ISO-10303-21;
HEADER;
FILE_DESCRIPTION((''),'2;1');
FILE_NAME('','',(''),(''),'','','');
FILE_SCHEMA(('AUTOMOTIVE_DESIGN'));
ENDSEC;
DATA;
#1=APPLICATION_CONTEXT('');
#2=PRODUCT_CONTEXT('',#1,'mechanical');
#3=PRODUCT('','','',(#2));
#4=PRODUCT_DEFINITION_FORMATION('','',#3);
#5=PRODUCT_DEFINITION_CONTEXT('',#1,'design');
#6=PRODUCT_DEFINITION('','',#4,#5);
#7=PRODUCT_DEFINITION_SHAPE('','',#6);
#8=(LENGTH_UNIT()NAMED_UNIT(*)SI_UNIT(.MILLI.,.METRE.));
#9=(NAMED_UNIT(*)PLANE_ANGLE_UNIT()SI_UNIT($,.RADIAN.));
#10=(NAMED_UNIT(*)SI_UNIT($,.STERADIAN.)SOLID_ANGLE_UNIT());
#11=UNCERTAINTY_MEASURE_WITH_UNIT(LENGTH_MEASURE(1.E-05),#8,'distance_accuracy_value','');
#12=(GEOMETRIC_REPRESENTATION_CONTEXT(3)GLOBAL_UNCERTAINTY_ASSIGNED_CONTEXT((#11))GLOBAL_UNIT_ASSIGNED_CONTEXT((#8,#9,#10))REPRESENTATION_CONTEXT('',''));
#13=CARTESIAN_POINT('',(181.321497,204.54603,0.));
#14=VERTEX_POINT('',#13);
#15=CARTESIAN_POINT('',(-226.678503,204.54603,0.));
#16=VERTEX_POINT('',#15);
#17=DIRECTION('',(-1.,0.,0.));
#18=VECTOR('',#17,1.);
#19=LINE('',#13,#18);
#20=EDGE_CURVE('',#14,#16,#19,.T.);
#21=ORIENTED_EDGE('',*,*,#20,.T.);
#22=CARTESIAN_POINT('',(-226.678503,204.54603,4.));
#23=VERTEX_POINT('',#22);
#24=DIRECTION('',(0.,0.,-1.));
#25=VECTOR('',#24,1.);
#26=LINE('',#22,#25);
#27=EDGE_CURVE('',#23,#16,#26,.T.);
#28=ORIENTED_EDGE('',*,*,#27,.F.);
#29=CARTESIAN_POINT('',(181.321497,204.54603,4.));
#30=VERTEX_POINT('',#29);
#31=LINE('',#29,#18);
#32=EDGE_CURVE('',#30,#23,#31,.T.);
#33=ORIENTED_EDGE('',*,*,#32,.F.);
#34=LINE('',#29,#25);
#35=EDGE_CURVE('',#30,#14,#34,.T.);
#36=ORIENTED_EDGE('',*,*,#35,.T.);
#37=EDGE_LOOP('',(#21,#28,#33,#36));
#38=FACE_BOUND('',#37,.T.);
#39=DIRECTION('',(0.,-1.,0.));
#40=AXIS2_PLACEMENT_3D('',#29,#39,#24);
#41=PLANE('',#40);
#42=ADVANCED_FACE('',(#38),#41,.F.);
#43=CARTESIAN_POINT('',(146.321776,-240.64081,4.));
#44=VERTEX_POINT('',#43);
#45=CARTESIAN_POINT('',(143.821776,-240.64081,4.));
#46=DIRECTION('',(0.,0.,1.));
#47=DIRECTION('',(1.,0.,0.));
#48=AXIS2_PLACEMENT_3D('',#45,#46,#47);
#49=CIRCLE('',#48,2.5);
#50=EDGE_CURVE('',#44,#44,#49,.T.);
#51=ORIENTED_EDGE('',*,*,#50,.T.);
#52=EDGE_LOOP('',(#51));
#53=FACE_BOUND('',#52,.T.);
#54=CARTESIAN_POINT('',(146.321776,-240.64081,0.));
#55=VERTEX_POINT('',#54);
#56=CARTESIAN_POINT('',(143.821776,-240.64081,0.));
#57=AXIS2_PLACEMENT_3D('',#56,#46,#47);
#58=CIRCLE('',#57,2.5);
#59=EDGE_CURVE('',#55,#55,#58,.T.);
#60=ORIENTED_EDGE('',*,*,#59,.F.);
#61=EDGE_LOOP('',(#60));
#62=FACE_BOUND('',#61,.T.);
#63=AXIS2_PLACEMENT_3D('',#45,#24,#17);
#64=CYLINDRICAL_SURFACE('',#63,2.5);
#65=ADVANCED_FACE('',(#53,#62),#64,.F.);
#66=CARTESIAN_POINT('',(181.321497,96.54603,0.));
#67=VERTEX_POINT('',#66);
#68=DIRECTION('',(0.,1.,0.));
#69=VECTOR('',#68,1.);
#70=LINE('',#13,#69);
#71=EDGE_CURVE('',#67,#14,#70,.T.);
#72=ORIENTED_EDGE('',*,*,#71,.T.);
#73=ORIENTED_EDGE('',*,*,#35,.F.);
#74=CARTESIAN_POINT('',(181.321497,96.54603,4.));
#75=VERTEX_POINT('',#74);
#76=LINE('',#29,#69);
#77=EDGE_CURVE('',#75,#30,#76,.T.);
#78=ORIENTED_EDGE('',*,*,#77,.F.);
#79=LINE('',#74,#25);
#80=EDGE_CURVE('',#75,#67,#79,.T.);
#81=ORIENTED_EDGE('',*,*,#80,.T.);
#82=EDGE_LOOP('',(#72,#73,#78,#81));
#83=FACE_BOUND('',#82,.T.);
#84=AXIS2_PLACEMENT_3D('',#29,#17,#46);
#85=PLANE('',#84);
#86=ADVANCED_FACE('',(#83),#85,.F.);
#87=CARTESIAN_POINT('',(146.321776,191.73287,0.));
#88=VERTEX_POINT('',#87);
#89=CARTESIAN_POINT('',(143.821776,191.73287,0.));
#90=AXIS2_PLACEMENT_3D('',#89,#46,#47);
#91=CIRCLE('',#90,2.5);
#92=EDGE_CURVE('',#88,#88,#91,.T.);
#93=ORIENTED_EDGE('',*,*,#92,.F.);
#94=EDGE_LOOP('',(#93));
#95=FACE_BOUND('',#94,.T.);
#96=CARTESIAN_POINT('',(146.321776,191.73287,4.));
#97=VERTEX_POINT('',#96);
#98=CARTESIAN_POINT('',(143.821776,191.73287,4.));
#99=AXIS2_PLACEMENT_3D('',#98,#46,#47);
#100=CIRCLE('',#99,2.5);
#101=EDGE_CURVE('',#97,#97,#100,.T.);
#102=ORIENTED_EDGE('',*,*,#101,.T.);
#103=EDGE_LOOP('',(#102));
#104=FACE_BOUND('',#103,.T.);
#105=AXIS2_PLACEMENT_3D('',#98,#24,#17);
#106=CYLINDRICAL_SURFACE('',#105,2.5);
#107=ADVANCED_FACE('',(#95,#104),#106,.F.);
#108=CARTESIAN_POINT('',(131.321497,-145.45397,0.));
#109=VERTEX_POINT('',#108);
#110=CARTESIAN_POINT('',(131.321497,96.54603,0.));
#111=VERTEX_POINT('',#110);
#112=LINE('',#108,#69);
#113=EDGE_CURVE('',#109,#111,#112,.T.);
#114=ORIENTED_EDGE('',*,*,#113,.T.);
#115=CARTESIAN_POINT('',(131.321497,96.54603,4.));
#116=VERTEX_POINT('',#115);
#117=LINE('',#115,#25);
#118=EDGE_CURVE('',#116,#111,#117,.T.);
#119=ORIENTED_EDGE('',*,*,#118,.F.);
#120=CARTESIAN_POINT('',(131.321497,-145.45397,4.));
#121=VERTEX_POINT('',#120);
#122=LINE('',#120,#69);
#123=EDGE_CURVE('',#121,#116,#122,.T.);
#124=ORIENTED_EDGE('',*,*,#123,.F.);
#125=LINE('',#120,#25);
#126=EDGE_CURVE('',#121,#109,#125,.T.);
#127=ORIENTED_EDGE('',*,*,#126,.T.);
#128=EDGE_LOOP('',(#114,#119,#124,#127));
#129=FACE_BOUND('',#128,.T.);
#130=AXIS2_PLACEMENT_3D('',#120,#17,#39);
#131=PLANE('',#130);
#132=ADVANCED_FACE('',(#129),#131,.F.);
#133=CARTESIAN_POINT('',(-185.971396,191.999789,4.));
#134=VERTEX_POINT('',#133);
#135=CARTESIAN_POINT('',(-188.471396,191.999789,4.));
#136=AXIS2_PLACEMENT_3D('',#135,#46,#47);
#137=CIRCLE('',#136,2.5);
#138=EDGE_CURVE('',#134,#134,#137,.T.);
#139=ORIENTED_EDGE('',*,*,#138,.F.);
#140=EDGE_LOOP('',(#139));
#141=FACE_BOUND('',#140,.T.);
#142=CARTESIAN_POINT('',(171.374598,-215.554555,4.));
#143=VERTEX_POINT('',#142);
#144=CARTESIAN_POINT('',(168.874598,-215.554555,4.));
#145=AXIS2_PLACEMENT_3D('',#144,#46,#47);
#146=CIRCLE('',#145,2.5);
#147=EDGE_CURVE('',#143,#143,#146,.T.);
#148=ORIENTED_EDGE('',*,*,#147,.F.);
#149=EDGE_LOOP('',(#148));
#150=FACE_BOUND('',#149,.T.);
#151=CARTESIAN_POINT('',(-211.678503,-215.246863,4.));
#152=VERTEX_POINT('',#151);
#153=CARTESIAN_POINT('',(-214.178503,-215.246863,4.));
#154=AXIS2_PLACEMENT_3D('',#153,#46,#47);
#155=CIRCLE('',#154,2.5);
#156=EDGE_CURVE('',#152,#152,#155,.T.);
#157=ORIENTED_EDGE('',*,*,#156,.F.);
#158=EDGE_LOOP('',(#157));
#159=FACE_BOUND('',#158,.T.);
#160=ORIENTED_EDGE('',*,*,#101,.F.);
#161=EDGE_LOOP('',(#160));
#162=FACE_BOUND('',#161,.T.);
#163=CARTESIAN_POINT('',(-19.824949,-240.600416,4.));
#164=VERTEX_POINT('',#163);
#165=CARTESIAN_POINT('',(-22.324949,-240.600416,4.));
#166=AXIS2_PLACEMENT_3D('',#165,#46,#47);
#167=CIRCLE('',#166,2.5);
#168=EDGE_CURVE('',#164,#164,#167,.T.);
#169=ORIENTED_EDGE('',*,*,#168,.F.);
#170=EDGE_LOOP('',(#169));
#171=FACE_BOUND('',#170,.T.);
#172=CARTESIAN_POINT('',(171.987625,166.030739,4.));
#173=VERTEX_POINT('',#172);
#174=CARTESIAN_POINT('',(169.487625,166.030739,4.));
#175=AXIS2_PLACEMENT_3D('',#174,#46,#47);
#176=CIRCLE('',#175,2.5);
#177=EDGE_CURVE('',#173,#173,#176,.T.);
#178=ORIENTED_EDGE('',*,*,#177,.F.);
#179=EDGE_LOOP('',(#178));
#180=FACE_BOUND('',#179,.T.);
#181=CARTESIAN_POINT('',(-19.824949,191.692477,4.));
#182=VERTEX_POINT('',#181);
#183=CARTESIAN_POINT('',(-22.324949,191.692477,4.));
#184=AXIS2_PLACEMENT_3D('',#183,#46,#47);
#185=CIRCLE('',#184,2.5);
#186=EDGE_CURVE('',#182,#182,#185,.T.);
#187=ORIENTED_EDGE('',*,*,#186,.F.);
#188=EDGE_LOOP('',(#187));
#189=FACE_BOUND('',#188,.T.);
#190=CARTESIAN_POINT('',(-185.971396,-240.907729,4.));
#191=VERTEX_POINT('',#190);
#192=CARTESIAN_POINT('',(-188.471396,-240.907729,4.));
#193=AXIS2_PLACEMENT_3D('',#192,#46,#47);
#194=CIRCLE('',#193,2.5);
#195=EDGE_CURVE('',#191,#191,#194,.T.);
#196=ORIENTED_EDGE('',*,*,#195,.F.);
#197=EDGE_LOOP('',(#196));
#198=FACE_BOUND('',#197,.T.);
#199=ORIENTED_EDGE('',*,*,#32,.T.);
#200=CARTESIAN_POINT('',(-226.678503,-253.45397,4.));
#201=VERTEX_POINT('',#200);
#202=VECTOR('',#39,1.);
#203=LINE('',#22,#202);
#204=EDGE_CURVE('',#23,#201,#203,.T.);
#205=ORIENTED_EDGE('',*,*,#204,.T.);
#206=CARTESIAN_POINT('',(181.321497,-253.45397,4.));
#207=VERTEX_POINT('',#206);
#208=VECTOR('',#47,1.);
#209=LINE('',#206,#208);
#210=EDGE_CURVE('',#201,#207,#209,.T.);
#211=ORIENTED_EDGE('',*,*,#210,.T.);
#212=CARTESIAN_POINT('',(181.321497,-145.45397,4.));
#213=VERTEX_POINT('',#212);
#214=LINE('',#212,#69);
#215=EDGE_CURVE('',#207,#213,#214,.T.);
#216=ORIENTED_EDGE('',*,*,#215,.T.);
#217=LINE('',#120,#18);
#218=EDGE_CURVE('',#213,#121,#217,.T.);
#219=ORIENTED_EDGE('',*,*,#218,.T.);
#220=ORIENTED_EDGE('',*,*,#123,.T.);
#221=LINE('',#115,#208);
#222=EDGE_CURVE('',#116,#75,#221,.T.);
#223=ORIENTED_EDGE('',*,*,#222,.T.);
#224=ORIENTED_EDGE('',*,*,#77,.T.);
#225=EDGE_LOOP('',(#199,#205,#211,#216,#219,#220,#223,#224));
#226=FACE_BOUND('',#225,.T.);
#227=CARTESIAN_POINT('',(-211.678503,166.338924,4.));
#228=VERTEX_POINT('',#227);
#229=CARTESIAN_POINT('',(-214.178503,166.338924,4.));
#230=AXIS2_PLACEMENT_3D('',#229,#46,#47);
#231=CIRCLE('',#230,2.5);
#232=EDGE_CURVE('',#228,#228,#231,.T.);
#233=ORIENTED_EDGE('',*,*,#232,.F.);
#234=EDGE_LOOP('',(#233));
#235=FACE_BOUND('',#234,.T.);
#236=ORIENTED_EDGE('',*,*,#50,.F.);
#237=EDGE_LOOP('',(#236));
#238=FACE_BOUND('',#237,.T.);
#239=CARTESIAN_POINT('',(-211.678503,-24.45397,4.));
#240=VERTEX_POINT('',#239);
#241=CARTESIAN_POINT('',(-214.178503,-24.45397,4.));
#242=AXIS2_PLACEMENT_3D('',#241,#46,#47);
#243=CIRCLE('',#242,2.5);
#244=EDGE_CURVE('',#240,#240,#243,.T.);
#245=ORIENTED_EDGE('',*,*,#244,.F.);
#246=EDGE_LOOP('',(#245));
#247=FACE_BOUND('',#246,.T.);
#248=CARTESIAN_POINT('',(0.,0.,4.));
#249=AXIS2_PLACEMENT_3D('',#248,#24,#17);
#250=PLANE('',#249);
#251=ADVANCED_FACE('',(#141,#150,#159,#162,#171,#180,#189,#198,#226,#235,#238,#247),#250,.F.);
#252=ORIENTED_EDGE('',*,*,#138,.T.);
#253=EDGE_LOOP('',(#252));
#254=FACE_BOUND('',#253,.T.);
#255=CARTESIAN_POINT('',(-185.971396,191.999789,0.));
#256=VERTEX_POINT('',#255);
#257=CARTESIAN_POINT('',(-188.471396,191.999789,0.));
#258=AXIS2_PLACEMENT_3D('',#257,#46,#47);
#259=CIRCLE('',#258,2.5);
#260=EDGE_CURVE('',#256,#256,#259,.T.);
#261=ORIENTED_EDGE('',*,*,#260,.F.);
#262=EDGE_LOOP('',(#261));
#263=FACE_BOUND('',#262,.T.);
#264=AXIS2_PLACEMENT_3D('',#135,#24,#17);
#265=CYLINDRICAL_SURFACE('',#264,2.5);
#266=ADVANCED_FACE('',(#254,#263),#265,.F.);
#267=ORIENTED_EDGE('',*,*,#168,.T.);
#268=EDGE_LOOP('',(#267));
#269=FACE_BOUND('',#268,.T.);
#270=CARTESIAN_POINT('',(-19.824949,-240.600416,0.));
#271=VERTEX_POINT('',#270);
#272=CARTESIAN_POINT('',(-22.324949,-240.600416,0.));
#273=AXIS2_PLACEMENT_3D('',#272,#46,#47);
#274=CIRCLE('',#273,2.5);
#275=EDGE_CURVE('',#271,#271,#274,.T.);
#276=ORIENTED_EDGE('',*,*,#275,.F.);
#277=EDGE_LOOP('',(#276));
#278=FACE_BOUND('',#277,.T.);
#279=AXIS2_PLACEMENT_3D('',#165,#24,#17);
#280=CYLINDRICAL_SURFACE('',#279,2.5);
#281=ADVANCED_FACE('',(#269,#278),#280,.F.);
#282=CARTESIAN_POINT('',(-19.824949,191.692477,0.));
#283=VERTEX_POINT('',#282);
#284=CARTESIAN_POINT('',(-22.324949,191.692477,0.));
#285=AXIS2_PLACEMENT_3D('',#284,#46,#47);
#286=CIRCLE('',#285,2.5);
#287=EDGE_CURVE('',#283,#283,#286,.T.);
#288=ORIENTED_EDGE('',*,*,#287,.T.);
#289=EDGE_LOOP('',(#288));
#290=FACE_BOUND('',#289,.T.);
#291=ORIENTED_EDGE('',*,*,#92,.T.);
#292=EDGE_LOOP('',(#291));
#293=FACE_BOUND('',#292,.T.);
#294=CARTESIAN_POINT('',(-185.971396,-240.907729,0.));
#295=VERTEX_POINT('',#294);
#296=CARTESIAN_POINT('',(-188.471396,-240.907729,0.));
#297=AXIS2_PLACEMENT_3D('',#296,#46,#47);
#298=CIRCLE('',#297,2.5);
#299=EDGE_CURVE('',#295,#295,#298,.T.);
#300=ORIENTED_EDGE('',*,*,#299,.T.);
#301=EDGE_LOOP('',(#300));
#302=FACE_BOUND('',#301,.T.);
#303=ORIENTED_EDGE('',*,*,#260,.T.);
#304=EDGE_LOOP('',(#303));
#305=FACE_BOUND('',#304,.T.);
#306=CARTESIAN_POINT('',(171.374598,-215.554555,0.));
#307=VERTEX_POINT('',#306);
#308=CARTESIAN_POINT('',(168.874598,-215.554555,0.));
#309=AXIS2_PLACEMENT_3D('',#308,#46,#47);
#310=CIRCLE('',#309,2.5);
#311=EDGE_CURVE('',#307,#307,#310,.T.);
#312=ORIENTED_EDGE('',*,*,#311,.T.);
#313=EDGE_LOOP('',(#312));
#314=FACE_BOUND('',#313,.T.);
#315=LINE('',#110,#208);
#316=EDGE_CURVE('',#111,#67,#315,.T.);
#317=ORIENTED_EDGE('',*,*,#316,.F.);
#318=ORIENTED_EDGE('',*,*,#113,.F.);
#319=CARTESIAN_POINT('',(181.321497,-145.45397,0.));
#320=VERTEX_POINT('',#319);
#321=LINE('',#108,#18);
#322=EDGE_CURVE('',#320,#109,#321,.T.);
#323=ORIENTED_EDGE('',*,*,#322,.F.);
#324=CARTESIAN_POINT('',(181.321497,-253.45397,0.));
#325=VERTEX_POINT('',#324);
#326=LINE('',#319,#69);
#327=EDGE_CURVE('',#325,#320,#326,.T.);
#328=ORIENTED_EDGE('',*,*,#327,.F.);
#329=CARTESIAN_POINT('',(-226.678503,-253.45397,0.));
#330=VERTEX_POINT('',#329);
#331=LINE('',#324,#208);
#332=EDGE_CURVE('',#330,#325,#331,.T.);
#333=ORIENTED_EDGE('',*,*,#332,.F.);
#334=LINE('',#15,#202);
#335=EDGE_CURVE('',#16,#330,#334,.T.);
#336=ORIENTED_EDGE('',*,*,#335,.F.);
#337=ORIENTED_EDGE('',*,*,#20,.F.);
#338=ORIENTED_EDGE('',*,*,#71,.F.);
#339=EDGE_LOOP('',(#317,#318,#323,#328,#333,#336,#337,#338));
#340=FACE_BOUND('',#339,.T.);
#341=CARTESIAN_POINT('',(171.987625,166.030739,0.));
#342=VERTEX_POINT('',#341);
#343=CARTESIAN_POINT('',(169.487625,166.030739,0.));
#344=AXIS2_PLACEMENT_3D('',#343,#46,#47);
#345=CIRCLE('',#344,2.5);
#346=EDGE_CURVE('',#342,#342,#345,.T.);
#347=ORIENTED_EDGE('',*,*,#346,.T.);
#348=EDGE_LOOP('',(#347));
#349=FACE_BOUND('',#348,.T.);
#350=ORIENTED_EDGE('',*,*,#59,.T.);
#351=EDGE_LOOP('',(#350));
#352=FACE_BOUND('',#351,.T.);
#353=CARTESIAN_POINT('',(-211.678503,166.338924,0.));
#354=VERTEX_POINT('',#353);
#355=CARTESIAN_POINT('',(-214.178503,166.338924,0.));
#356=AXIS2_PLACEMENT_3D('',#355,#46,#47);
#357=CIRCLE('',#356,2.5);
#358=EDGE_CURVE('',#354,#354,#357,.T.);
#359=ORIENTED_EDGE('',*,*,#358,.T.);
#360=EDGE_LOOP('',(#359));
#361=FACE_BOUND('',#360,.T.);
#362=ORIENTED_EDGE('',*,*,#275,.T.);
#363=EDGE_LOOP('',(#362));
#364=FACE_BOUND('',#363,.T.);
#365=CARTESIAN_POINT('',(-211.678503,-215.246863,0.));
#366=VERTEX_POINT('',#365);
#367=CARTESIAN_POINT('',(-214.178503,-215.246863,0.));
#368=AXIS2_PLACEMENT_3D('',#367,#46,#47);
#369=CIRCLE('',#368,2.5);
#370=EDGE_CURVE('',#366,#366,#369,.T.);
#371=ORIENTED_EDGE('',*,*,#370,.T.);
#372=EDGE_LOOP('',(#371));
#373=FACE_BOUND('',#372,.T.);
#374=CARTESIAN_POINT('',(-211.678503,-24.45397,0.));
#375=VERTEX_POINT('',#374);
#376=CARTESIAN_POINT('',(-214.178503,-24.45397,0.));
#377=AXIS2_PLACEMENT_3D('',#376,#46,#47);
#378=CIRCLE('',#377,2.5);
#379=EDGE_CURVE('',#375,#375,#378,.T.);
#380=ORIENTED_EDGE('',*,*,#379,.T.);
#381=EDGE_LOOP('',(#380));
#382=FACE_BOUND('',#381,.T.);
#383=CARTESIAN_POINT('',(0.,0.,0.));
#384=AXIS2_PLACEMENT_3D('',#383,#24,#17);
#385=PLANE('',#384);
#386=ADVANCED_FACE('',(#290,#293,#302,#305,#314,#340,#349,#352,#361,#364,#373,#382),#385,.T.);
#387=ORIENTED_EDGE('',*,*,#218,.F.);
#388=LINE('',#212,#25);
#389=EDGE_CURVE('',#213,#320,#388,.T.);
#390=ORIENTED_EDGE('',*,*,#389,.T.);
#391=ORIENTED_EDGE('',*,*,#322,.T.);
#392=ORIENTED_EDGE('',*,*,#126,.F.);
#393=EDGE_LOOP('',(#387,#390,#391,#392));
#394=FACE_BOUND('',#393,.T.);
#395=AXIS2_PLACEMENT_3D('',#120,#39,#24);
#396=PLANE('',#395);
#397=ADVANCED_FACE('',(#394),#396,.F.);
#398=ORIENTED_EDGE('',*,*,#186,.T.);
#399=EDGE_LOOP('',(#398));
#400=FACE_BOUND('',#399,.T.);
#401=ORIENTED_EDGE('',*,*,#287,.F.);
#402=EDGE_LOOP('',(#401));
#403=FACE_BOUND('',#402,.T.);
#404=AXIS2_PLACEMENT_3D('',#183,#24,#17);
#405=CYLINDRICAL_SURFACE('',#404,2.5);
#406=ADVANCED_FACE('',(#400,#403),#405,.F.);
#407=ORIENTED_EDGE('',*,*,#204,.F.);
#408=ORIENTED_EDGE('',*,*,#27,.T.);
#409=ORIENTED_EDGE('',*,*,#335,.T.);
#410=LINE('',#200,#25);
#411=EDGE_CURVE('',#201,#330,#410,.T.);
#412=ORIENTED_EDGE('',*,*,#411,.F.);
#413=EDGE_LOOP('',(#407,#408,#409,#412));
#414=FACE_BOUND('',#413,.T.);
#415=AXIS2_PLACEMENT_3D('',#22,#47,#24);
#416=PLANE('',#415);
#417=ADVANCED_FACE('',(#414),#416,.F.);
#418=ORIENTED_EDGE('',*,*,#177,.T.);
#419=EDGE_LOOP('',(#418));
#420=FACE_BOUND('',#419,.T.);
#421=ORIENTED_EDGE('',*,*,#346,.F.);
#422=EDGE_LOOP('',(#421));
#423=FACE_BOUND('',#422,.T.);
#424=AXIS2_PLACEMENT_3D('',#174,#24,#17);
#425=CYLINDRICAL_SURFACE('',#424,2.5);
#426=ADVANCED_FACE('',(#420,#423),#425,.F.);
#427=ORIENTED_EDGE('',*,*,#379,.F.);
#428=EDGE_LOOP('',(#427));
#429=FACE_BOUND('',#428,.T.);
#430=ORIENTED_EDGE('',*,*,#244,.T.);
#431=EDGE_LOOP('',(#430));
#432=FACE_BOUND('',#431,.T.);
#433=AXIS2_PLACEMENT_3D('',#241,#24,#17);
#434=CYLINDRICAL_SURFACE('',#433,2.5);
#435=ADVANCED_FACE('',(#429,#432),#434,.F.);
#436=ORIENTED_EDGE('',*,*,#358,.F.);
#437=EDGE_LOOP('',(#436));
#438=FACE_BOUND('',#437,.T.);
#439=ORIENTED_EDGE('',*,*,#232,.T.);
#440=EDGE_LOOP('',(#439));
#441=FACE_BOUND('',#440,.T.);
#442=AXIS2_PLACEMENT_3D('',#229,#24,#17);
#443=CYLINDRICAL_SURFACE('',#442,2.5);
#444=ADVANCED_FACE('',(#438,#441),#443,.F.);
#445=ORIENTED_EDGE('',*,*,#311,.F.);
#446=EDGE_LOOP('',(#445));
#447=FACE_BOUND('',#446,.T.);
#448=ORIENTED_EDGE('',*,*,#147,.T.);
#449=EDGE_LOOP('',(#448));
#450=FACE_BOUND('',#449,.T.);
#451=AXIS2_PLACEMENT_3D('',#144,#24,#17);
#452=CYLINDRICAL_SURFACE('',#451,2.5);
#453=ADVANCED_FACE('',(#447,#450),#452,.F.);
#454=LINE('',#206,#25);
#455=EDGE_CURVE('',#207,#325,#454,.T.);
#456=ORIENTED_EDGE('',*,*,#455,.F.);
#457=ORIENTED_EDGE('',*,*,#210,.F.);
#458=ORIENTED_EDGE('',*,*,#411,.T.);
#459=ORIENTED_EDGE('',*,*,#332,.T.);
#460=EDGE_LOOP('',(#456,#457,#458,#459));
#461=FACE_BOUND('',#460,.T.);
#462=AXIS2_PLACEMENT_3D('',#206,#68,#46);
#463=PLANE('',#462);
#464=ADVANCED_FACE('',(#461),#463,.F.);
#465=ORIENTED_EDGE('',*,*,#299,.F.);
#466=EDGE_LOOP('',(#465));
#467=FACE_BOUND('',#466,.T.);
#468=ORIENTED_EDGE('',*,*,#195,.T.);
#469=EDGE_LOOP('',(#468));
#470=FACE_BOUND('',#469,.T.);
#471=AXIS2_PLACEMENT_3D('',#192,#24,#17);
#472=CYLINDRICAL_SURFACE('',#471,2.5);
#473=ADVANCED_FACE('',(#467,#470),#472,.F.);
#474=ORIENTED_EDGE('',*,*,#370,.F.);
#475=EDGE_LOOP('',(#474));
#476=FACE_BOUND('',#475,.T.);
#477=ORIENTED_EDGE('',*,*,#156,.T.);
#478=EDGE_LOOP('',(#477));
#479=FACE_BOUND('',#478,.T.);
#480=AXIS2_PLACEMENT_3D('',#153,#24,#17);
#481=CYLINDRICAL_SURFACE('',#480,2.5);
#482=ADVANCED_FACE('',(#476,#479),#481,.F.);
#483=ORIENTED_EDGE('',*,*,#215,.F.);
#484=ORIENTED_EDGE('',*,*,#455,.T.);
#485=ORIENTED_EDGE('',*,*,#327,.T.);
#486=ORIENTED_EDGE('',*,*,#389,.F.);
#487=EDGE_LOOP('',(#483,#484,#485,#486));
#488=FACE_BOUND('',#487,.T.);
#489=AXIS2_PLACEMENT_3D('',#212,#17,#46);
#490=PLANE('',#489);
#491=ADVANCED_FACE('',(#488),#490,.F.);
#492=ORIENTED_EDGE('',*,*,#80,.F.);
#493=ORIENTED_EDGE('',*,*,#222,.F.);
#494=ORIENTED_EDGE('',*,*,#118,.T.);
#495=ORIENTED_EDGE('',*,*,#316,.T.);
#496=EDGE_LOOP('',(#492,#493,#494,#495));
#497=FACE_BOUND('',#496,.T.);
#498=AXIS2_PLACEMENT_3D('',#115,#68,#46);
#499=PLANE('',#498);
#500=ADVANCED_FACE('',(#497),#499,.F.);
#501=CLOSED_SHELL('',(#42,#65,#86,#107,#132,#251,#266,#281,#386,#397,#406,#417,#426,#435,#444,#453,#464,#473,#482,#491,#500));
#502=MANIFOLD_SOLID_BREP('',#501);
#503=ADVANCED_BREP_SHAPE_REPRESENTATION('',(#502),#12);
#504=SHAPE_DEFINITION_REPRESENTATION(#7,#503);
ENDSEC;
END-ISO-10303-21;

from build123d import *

# Parameters (mm, degrees)
SKETCH1_R           = 2.5
BOSS_EXTRUDE1_DEPTH = 4


with BuildPart() as part:
    # Sketch1 → Boss-Extrude1 (new body)
    with BuildSketch(Plane.XY):
        Polygon((181.321497127, 204.5460303), (-226.678502873, 204.5460303), (-226.678502873, -253.4539697), (181.321497127, -253.4539697), (181.321497127, -145.4539697), (131.321497127, -145.4539697), (131.321497127, 96.5460303), (181.321497127, 96.5460303), align=None)
        with Locations((-214.178502873, -215.246862919)):
            Circle(SKETCH1_R, mode=Mode.SUBTRACT)
        with Locations((-188.471396092, -240.907728533)):
            Circle(SKETCH1_R, mode=Mode.SUBTRACT)
        with Locations((-22.324949482, -240.60041631)):
            Circle(SKETCH1_R, mode=Mode.SUBTRACT)
        with Locations((143.821776426, -240.640809696)):
            Circle(SKETCH1_R, mode=Mode.SUBTRACT)
        with Locations((168.874598055, -215.554555333)):
            Circle(SKETCH1_R, mode=Mode.SUBTRACT)
        with Locations((169.487625208, 166.030738683)):
            Circle(SKETCH1_R, mode=Mode.SUBTRACT)
        with Locations((143.821776426, 191.732870295)):
            Circle(SKETCH1_R, mode=Mode.SUBTRACT)
        with Locations((-22.324949482, 191.692476909)):
            Circle(SKETCH1_R, mode=Mode.SUBTRACT)
        with Locations((-188.471396092, 191.999789133)):
            Circle(SKETCH1_R, mode=Mode.SUBTRACT)
        with Locations((-214.178502873, 166.338923519)):
            Circle(SKETCH1_R, mode=Mode.SUBTRACT)
        with Locations((-214.178502873, -24.4539697)):
            Circle(SKETCH1_R, mode=Mode.SUBTRACT)
    extrude(amount=BOSS_EXTRUDE1_DEPTH)


solid = part.part
